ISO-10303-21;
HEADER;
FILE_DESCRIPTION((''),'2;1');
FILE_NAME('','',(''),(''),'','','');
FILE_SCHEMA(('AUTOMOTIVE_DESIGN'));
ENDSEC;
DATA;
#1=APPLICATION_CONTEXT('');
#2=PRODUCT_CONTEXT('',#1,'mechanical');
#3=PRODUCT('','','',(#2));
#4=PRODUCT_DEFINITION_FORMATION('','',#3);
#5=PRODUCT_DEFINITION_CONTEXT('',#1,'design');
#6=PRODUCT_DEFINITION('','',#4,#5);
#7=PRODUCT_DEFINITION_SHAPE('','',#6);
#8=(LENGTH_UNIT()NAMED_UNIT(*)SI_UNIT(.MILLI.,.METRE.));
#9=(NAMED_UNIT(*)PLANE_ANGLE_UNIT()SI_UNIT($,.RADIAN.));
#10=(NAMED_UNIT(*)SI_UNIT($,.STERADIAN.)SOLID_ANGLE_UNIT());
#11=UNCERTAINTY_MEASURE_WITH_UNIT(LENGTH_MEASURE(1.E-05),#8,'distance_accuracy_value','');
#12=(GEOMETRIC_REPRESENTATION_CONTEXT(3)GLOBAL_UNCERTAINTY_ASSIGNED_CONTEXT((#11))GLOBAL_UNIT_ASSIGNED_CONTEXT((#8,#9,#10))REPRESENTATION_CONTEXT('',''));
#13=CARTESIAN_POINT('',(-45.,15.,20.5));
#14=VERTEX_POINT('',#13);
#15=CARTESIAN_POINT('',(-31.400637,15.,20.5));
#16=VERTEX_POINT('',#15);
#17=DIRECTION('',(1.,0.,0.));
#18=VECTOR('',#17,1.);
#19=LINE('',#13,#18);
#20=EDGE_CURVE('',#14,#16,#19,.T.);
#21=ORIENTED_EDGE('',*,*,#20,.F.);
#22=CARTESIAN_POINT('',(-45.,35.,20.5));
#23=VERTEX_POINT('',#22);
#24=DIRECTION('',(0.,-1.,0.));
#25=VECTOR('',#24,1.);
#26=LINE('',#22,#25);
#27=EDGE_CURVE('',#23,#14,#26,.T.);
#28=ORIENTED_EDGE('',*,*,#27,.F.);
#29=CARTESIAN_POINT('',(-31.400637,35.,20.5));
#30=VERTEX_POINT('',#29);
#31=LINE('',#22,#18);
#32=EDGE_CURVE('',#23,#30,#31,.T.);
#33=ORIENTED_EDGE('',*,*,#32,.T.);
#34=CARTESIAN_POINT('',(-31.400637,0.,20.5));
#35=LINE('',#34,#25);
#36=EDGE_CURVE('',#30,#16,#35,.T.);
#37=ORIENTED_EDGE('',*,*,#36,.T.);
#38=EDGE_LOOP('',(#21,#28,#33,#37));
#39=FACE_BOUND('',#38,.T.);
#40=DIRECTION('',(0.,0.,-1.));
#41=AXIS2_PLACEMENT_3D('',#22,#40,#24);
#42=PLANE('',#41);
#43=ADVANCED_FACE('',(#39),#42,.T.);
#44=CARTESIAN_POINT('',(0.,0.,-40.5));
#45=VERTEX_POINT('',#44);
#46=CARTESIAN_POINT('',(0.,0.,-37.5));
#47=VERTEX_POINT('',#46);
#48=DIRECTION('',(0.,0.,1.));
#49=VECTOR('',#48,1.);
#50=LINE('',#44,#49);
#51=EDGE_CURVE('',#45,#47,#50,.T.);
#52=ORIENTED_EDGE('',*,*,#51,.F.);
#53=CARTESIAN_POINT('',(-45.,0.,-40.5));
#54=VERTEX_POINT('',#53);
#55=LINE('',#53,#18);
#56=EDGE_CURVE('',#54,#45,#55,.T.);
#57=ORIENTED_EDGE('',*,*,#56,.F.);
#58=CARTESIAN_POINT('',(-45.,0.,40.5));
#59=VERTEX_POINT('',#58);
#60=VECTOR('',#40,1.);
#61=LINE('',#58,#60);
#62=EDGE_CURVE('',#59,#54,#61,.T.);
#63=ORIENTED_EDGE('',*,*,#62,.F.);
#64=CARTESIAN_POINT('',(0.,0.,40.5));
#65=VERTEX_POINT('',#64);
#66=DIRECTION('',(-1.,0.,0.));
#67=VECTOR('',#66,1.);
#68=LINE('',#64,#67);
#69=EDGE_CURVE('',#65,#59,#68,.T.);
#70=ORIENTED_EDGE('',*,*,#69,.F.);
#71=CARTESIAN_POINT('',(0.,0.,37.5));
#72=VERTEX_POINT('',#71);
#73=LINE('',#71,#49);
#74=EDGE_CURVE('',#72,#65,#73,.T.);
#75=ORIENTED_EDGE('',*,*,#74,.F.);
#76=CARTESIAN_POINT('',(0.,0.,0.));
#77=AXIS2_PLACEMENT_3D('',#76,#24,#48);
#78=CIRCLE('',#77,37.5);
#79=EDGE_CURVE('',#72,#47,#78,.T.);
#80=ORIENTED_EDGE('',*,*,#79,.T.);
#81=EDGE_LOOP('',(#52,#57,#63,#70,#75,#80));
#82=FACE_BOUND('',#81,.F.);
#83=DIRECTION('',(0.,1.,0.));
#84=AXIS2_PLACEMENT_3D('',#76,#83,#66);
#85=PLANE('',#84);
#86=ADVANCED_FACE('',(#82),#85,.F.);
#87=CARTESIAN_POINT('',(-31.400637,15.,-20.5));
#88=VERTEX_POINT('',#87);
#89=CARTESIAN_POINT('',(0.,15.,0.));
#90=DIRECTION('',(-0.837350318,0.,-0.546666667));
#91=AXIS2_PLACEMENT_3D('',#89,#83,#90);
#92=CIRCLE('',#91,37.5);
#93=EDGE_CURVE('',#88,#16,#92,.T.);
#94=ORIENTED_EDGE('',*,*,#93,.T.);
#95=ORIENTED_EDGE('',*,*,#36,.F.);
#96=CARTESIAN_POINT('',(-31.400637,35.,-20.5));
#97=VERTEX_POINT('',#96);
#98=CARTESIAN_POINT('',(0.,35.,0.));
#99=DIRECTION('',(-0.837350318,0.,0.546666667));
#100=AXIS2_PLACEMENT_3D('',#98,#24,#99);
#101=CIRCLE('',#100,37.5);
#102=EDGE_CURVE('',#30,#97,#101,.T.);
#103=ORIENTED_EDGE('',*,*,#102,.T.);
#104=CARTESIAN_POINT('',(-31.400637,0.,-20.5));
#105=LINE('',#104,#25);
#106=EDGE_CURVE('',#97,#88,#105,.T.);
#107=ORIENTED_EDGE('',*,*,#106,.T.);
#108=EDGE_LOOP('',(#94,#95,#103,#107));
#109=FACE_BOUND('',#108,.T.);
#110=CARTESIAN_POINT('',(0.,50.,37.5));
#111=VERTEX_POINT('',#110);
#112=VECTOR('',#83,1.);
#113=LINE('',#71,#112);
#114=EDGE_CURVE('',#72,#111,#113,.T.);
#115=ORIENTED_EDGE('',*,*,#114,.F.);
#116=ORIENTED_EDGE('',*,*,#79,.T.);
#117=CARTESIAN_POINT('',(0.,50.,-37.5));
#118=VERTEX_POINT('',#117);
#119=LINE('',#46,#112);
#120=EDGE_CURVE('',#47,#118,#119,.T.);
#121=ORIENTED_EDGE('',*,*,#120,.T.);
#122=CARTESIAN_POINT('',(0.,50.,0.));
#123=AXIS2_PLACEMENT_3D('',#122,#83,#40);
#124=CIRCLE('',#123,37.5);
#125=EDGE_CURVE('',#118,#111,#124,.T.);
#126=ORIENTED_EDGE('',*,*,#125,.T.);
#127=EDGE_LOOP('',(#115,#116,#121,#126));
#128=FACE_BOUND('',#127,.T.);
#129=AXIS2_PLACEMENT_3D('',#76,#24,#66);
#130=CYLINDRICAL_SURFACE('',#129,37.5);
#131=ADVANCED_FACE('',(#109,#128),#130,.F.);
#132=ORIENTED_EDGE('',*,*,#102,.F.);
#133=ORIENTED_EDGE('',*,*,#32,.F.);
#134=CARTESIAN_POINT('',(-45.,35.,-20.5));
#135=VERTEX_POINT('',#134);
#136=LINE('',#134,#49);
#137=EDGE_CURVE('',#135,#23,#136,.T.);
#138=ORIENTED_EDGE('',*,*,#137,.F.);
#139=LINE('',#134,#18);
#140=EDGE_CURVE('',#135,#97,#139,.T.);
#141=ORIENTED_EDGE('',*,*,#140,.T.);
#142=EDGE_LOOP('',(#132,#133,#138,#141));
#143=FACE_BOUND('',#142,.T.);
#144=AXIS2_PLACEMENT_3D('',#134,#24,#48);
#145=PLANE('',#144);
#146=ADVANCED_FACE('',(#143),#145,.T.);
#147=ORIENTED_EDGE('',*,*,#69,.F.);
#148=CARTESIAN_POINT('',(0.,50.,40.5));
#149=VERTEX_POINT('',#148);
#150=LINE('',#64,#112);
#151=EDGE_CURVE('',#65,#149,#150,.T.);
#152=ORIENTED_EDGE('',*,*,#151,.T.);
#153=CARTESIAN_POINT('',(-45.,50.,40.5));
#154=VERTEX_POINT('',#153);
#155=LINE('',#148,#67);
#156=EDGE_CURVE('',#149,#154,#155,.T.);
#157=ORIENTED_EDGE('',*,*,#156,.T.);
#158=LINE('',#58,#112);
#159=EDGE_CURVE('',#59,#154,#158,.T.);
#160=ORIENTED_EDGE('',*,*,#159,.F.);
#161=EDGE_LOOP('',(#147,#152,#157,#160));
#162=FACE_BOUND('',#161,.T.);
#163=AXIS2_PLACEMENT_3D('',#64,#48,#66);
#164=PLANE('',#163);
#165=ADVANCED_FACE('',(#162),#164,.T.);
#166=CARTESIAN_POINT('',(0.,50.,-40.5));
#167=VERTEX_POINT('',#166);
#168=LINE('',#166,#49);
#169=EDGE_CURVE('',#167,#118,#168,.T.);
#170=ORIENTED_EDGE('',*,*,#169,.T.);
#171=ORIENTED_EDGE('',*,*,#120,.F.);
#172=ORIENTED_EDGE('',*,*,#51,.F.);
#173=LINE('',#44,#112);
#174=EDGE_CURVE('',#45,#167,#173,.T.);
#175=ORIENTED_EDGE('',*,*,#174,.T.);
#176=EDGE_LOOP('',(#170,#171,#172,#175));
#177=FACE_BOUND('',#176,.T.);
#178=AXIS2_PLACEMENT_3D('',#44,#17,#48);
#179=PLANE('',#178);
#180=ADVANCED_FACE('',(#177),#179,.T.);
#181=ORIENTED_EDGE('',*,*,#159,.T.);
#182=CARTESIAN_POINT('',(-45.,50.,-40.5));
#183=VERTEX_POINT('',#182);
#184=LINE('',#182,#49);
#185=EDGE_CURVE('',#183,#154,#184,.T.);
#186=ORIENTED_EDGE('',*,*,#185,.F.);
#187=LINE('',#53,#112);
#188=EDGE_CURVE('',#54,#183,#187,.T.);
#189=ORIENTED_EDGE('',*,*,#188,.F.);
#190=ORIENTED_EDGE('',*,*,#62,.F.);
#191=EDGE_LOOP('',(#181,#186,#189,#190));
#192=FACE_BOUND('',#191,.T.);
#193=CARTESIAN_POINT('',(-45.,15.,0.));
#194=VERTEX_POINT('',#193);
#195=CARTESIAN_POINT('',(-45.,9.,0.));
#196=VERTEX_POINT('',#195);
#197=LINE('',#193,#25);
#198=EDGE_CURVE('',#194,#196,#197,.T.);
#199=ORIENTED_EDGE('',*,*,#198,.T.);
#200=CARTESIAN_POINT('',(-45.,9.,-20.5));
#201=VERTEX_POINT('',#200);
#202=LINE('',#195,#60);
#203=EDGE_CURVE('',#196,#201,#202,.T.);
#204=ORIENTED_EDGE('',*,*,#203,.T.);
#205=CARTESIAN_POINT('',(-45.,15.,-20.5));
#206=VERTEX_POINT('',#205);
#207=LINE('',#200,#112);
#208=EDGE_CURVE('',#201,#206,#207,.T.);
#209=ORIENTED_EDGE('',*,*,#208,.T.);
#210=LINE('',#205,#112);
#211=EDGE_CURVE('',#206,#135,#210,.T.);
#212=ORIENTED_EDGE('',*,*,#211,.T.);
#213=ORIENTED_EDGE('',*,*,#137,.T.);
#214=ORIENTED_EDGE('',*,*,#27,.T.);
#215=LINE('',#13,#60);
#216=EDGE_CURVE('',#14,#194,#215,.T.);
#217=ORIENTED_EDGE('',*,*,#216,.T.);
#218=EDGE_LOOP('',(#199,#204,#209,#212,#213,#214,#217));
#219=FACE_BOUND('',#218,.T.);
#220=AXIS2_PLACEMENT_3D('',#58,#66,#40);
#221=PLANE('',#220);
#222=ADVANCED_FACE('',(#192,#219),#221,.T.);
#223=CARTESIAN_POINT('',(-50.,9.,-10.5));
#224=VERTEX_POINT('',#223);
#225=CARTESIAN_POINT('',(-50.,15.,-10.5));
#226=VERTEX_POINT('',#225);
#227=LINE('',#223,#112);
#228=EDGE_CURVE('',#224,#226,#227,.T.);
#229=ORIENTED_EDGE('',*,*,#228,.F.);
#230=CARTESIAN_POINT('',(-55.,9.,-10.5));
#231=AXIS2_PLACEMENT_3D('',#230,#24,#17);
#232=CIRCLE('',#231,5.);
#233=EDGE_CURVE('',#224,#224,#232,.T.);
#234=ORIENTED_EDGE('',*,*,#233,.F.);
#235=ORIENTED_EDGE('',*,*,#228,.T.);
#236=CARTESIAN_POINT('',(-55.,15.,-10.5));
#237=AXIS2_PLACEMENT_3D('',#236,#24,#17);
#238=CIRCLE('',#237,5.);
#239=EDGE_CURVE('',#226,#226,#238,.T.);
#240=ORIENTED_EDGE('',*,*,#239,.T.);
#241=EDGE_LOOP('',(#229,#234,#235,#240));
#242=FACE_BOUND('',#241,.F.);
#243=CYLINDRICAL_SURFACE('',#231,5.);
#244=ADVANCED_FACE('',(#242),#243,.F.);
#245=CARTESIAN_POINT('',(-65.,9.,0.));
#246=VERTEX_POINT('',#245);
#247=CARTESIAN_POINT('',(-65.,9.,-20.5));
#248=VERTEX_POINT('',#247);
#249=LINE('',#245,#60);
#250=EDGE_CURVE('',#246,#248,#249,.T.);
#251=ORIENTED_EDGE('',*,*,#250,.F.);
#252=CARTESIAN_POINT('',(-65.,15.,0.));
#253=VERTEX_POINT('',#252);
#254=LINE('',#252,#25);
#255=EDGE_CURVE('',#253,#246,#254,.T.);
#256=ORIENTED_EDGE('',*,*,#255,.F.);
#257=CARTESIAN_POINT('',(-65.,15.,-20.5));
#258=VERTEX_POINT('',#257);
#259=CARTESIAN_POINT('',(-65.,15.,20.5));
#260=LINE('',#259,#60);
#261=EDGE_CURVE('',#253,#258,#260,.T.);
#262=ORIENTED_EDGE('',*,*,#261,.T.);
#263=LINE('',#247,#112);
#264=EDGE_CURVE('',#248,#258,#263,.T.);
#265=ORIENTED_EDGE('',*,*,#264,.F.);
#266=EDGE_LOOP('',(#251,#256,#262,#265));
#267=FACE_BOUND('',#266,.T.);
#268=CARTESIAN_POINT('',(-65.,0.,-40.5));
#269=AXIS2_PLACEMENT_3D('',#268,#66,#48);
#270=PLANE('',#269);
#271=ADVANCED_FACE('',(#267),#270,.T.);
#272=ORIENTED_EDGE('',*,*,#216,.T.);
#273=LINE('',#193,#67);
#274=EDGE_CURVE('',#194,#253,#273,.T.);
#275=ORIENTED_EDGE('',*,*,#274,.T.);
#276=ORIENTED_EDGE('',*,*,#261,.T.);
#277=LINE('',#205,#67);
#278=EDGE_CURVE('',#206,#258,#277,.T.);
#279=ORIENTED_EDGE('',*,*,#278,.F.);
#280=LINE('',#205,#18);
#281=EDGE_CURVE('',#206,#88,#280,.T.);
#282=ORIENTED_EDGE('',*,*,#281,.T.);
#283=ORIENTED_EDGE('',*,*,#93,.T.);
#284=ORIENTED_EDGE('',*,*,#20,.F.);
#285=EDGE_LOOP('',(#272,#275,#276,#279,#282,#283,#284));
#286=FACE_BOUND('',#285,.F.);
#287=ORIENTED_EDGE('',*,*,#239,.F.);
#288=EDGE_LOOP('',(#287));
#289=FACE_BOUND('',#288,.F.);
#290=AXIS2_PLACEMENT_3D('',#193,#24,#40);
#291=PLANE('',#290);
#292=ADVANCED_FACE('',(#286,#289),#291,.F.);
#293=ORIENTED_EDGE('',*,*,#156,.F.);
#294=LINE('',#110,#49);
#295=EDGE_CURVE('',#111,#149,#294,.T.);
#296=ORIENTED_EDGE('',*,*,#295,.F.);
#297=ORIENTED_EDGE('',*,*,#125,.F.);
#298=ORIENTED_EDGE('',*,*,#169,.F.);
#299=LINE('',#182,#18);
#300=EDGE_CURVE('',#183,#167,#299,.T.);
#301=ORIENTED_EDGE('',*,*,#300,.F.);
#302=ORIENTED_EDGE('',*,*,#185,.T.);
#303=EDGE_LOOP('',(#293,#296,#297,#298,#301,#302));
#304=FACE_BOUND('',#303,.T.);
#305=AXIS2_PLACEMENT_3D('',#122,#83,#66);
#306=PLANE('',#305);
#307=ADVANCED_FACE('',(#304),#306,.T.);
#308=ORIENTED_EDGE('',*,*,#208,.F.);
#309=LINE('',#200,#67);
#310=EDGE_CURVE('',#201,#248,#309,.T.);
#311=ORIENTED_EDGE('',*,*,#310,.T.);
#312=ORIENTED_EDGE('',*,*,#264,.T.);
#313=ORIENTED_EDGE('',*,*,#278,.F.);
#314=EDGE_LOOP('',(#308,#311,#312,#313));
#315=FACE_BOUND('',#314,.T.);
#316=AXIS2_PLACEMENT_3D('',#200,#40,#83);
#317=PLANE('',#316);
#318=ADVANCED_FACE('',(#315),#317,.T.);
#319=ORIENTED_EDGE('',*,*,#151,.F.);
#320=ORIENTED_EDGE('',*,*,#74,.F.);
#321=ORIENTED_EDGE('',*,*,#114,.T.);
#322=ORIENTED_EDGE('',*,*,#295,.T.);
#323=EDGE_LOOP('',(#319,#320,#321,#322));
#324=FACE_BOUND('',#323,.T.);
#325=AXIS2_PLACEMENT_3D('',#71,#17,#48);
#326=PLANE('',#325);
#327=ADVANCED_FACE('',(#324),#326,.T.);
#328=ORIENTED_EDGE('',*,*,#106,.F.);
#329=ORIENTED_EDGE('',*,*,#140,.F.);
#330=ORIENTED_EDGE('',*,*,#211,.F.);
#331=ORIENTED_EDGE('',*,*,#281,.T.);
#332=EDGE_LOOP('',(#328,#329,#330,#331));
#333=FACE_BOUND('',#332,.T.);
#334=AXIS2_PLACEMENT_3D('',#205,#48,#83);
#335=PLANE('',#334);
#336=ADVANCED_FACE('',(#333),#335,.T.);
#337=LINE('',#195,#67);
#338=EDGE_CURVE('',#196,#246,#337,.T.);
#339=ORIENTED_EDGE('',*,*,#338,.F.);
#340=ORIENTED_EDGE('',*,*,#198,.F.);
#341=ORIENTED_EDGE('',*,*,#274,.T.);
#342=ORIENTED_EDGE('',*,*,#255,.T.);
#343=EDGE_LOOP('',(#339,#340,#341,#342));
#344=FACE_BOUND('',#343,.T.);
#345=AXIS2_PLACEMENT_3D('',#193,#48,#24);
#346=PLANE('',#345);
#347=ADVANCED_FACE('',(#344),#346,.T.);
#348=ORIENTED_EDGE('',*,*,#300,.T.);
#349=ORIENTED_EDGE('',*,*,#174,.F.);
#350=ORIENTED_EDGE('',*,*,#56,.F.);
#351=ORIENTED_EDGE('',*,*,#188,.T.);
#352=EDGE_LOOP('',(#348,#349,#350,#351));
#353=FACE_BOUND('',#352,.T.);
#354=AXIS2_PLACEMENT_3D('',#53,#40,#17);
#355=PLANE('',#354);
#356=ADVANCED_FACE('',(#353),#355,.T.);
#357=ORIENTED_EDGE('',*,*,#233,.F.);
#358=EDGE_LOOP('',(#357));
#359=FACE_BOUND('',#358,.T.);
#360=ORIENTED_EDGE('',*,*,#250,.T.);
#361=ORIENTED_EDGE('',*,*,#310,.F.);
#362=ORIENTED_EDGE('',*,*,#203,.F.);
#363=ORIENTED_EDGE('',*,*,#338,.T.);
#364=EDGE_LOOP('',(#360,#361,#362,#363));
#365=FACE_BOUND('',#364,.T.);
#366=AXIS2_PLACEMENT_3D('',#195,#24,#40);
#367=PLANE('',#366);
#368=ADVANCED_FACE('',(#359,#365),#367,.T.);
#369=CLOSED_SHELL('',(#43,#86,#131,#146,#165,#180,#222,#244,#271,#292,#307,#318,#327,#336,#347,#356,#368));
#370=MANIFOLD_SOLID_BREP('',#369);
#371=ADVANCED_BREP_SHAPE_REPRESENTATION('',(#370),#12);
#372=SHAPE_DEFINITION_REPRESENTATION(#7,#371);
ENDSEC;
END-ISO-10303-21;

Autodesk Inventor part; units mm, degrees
ref_plane "YZ Plane" through (0, 0, 0) normal (1, 0, 0) x (0, 1, 0)
ref_plane "XZ Plane" through (0, 0, 0) normal (0, 1, 0) x (-1, 0, 0)
ref_plane "XY Plane" through (0, 0, 0) normal (0, 0, 1) x (1, 0, 0)
sketch "Esquisse2" plane through (0, 0, 0) normal (0, 1, 0) x (-1, 0, 0)
  circle A0 centre (0, 0) radius 37.5
  line L0 (45, 37.5) -> (45, -37.5)
  line L1 (45, -37.5) -> (45, -40.5)
  line L2 (45, -40.5) -> (0, -40.5)
  line L3 (0, -40.5) -> (0, -37.5)
  line L4 (0, 37.5) -> (0, 40.5)
  line L5 (0, 40.5) -> (45, 40.5)
  line L6 (45, 40.5) -> (45, 37.5)
  point P0 (22.5, 40.5)
  dimension "d0" = 75
  dimension "d4" = 81
  dimension "d13" = 45
  dimension "d14" = 45
extrude "Extrusion1" add sketch "Esquisse2" along normal blind 50 contours A0 L4 L5 L6 L0 L1 L2 L3
sketch "Esquisse3" plane through (-45, 0, -40.5) normal (-1, 0, 0) x (0, 0, 1)
  line L0 (61, 15) -> (20, 15)
  line L1 (20, 15) -> (20, 35)
  line L2 (20, 35) -> (61, 35)
  line L3 (61, 35) -> (61, 15)
  line L4 (81, 0) -> (81, 50) projected
  line L5 (0, 0) -> (0, 50) projected
  line L6 (0, 0) -> (81, 0) projected
  line L7 (0, 50) -> (81, 50) projected
  point P0 (40.5, 0)
  point P1 (61, 25)
  dimension "d7" = 20
  dimension "d8" = 20
  dimension "d9" = 15
  dimension "d10" = 15
extrude "Extrusion2" cut sketch "Esquisse3" against normal blind 50 contours L0 L1 L2 L3
sketch "Esquisse4" plane through (-45, 0, -40.5) normal (-1, 0, 0) x (0, 0, 1)
  line L0 (61, 15) -> (20, 15) projected
  line L1 (20, 15) -> (40.5, 15)
  line L2 (40.5, 15) -> (40.5, 9)
  line L3 (40.5, 9) -> (20, 9)
  line L4 (20, 9) -> (20, 15)
  point P0 (40.5, 0)
extrude "Extrusion3" add sketch "Esquisse4" along normal blind 20
sketch "Esquisse5" plane through (-45, 9, -20.5) normal (0, -1, 0) x (1, 0, 0)
  circle A0 centre (-10, 10) radius 5
  point P0 (45, 20.5)
  dimension "d17" = 10
extrude "Extrusion4" cut sketch "Esquisse5" against normal blind 20
properties part number "corps_pince_aimant"
